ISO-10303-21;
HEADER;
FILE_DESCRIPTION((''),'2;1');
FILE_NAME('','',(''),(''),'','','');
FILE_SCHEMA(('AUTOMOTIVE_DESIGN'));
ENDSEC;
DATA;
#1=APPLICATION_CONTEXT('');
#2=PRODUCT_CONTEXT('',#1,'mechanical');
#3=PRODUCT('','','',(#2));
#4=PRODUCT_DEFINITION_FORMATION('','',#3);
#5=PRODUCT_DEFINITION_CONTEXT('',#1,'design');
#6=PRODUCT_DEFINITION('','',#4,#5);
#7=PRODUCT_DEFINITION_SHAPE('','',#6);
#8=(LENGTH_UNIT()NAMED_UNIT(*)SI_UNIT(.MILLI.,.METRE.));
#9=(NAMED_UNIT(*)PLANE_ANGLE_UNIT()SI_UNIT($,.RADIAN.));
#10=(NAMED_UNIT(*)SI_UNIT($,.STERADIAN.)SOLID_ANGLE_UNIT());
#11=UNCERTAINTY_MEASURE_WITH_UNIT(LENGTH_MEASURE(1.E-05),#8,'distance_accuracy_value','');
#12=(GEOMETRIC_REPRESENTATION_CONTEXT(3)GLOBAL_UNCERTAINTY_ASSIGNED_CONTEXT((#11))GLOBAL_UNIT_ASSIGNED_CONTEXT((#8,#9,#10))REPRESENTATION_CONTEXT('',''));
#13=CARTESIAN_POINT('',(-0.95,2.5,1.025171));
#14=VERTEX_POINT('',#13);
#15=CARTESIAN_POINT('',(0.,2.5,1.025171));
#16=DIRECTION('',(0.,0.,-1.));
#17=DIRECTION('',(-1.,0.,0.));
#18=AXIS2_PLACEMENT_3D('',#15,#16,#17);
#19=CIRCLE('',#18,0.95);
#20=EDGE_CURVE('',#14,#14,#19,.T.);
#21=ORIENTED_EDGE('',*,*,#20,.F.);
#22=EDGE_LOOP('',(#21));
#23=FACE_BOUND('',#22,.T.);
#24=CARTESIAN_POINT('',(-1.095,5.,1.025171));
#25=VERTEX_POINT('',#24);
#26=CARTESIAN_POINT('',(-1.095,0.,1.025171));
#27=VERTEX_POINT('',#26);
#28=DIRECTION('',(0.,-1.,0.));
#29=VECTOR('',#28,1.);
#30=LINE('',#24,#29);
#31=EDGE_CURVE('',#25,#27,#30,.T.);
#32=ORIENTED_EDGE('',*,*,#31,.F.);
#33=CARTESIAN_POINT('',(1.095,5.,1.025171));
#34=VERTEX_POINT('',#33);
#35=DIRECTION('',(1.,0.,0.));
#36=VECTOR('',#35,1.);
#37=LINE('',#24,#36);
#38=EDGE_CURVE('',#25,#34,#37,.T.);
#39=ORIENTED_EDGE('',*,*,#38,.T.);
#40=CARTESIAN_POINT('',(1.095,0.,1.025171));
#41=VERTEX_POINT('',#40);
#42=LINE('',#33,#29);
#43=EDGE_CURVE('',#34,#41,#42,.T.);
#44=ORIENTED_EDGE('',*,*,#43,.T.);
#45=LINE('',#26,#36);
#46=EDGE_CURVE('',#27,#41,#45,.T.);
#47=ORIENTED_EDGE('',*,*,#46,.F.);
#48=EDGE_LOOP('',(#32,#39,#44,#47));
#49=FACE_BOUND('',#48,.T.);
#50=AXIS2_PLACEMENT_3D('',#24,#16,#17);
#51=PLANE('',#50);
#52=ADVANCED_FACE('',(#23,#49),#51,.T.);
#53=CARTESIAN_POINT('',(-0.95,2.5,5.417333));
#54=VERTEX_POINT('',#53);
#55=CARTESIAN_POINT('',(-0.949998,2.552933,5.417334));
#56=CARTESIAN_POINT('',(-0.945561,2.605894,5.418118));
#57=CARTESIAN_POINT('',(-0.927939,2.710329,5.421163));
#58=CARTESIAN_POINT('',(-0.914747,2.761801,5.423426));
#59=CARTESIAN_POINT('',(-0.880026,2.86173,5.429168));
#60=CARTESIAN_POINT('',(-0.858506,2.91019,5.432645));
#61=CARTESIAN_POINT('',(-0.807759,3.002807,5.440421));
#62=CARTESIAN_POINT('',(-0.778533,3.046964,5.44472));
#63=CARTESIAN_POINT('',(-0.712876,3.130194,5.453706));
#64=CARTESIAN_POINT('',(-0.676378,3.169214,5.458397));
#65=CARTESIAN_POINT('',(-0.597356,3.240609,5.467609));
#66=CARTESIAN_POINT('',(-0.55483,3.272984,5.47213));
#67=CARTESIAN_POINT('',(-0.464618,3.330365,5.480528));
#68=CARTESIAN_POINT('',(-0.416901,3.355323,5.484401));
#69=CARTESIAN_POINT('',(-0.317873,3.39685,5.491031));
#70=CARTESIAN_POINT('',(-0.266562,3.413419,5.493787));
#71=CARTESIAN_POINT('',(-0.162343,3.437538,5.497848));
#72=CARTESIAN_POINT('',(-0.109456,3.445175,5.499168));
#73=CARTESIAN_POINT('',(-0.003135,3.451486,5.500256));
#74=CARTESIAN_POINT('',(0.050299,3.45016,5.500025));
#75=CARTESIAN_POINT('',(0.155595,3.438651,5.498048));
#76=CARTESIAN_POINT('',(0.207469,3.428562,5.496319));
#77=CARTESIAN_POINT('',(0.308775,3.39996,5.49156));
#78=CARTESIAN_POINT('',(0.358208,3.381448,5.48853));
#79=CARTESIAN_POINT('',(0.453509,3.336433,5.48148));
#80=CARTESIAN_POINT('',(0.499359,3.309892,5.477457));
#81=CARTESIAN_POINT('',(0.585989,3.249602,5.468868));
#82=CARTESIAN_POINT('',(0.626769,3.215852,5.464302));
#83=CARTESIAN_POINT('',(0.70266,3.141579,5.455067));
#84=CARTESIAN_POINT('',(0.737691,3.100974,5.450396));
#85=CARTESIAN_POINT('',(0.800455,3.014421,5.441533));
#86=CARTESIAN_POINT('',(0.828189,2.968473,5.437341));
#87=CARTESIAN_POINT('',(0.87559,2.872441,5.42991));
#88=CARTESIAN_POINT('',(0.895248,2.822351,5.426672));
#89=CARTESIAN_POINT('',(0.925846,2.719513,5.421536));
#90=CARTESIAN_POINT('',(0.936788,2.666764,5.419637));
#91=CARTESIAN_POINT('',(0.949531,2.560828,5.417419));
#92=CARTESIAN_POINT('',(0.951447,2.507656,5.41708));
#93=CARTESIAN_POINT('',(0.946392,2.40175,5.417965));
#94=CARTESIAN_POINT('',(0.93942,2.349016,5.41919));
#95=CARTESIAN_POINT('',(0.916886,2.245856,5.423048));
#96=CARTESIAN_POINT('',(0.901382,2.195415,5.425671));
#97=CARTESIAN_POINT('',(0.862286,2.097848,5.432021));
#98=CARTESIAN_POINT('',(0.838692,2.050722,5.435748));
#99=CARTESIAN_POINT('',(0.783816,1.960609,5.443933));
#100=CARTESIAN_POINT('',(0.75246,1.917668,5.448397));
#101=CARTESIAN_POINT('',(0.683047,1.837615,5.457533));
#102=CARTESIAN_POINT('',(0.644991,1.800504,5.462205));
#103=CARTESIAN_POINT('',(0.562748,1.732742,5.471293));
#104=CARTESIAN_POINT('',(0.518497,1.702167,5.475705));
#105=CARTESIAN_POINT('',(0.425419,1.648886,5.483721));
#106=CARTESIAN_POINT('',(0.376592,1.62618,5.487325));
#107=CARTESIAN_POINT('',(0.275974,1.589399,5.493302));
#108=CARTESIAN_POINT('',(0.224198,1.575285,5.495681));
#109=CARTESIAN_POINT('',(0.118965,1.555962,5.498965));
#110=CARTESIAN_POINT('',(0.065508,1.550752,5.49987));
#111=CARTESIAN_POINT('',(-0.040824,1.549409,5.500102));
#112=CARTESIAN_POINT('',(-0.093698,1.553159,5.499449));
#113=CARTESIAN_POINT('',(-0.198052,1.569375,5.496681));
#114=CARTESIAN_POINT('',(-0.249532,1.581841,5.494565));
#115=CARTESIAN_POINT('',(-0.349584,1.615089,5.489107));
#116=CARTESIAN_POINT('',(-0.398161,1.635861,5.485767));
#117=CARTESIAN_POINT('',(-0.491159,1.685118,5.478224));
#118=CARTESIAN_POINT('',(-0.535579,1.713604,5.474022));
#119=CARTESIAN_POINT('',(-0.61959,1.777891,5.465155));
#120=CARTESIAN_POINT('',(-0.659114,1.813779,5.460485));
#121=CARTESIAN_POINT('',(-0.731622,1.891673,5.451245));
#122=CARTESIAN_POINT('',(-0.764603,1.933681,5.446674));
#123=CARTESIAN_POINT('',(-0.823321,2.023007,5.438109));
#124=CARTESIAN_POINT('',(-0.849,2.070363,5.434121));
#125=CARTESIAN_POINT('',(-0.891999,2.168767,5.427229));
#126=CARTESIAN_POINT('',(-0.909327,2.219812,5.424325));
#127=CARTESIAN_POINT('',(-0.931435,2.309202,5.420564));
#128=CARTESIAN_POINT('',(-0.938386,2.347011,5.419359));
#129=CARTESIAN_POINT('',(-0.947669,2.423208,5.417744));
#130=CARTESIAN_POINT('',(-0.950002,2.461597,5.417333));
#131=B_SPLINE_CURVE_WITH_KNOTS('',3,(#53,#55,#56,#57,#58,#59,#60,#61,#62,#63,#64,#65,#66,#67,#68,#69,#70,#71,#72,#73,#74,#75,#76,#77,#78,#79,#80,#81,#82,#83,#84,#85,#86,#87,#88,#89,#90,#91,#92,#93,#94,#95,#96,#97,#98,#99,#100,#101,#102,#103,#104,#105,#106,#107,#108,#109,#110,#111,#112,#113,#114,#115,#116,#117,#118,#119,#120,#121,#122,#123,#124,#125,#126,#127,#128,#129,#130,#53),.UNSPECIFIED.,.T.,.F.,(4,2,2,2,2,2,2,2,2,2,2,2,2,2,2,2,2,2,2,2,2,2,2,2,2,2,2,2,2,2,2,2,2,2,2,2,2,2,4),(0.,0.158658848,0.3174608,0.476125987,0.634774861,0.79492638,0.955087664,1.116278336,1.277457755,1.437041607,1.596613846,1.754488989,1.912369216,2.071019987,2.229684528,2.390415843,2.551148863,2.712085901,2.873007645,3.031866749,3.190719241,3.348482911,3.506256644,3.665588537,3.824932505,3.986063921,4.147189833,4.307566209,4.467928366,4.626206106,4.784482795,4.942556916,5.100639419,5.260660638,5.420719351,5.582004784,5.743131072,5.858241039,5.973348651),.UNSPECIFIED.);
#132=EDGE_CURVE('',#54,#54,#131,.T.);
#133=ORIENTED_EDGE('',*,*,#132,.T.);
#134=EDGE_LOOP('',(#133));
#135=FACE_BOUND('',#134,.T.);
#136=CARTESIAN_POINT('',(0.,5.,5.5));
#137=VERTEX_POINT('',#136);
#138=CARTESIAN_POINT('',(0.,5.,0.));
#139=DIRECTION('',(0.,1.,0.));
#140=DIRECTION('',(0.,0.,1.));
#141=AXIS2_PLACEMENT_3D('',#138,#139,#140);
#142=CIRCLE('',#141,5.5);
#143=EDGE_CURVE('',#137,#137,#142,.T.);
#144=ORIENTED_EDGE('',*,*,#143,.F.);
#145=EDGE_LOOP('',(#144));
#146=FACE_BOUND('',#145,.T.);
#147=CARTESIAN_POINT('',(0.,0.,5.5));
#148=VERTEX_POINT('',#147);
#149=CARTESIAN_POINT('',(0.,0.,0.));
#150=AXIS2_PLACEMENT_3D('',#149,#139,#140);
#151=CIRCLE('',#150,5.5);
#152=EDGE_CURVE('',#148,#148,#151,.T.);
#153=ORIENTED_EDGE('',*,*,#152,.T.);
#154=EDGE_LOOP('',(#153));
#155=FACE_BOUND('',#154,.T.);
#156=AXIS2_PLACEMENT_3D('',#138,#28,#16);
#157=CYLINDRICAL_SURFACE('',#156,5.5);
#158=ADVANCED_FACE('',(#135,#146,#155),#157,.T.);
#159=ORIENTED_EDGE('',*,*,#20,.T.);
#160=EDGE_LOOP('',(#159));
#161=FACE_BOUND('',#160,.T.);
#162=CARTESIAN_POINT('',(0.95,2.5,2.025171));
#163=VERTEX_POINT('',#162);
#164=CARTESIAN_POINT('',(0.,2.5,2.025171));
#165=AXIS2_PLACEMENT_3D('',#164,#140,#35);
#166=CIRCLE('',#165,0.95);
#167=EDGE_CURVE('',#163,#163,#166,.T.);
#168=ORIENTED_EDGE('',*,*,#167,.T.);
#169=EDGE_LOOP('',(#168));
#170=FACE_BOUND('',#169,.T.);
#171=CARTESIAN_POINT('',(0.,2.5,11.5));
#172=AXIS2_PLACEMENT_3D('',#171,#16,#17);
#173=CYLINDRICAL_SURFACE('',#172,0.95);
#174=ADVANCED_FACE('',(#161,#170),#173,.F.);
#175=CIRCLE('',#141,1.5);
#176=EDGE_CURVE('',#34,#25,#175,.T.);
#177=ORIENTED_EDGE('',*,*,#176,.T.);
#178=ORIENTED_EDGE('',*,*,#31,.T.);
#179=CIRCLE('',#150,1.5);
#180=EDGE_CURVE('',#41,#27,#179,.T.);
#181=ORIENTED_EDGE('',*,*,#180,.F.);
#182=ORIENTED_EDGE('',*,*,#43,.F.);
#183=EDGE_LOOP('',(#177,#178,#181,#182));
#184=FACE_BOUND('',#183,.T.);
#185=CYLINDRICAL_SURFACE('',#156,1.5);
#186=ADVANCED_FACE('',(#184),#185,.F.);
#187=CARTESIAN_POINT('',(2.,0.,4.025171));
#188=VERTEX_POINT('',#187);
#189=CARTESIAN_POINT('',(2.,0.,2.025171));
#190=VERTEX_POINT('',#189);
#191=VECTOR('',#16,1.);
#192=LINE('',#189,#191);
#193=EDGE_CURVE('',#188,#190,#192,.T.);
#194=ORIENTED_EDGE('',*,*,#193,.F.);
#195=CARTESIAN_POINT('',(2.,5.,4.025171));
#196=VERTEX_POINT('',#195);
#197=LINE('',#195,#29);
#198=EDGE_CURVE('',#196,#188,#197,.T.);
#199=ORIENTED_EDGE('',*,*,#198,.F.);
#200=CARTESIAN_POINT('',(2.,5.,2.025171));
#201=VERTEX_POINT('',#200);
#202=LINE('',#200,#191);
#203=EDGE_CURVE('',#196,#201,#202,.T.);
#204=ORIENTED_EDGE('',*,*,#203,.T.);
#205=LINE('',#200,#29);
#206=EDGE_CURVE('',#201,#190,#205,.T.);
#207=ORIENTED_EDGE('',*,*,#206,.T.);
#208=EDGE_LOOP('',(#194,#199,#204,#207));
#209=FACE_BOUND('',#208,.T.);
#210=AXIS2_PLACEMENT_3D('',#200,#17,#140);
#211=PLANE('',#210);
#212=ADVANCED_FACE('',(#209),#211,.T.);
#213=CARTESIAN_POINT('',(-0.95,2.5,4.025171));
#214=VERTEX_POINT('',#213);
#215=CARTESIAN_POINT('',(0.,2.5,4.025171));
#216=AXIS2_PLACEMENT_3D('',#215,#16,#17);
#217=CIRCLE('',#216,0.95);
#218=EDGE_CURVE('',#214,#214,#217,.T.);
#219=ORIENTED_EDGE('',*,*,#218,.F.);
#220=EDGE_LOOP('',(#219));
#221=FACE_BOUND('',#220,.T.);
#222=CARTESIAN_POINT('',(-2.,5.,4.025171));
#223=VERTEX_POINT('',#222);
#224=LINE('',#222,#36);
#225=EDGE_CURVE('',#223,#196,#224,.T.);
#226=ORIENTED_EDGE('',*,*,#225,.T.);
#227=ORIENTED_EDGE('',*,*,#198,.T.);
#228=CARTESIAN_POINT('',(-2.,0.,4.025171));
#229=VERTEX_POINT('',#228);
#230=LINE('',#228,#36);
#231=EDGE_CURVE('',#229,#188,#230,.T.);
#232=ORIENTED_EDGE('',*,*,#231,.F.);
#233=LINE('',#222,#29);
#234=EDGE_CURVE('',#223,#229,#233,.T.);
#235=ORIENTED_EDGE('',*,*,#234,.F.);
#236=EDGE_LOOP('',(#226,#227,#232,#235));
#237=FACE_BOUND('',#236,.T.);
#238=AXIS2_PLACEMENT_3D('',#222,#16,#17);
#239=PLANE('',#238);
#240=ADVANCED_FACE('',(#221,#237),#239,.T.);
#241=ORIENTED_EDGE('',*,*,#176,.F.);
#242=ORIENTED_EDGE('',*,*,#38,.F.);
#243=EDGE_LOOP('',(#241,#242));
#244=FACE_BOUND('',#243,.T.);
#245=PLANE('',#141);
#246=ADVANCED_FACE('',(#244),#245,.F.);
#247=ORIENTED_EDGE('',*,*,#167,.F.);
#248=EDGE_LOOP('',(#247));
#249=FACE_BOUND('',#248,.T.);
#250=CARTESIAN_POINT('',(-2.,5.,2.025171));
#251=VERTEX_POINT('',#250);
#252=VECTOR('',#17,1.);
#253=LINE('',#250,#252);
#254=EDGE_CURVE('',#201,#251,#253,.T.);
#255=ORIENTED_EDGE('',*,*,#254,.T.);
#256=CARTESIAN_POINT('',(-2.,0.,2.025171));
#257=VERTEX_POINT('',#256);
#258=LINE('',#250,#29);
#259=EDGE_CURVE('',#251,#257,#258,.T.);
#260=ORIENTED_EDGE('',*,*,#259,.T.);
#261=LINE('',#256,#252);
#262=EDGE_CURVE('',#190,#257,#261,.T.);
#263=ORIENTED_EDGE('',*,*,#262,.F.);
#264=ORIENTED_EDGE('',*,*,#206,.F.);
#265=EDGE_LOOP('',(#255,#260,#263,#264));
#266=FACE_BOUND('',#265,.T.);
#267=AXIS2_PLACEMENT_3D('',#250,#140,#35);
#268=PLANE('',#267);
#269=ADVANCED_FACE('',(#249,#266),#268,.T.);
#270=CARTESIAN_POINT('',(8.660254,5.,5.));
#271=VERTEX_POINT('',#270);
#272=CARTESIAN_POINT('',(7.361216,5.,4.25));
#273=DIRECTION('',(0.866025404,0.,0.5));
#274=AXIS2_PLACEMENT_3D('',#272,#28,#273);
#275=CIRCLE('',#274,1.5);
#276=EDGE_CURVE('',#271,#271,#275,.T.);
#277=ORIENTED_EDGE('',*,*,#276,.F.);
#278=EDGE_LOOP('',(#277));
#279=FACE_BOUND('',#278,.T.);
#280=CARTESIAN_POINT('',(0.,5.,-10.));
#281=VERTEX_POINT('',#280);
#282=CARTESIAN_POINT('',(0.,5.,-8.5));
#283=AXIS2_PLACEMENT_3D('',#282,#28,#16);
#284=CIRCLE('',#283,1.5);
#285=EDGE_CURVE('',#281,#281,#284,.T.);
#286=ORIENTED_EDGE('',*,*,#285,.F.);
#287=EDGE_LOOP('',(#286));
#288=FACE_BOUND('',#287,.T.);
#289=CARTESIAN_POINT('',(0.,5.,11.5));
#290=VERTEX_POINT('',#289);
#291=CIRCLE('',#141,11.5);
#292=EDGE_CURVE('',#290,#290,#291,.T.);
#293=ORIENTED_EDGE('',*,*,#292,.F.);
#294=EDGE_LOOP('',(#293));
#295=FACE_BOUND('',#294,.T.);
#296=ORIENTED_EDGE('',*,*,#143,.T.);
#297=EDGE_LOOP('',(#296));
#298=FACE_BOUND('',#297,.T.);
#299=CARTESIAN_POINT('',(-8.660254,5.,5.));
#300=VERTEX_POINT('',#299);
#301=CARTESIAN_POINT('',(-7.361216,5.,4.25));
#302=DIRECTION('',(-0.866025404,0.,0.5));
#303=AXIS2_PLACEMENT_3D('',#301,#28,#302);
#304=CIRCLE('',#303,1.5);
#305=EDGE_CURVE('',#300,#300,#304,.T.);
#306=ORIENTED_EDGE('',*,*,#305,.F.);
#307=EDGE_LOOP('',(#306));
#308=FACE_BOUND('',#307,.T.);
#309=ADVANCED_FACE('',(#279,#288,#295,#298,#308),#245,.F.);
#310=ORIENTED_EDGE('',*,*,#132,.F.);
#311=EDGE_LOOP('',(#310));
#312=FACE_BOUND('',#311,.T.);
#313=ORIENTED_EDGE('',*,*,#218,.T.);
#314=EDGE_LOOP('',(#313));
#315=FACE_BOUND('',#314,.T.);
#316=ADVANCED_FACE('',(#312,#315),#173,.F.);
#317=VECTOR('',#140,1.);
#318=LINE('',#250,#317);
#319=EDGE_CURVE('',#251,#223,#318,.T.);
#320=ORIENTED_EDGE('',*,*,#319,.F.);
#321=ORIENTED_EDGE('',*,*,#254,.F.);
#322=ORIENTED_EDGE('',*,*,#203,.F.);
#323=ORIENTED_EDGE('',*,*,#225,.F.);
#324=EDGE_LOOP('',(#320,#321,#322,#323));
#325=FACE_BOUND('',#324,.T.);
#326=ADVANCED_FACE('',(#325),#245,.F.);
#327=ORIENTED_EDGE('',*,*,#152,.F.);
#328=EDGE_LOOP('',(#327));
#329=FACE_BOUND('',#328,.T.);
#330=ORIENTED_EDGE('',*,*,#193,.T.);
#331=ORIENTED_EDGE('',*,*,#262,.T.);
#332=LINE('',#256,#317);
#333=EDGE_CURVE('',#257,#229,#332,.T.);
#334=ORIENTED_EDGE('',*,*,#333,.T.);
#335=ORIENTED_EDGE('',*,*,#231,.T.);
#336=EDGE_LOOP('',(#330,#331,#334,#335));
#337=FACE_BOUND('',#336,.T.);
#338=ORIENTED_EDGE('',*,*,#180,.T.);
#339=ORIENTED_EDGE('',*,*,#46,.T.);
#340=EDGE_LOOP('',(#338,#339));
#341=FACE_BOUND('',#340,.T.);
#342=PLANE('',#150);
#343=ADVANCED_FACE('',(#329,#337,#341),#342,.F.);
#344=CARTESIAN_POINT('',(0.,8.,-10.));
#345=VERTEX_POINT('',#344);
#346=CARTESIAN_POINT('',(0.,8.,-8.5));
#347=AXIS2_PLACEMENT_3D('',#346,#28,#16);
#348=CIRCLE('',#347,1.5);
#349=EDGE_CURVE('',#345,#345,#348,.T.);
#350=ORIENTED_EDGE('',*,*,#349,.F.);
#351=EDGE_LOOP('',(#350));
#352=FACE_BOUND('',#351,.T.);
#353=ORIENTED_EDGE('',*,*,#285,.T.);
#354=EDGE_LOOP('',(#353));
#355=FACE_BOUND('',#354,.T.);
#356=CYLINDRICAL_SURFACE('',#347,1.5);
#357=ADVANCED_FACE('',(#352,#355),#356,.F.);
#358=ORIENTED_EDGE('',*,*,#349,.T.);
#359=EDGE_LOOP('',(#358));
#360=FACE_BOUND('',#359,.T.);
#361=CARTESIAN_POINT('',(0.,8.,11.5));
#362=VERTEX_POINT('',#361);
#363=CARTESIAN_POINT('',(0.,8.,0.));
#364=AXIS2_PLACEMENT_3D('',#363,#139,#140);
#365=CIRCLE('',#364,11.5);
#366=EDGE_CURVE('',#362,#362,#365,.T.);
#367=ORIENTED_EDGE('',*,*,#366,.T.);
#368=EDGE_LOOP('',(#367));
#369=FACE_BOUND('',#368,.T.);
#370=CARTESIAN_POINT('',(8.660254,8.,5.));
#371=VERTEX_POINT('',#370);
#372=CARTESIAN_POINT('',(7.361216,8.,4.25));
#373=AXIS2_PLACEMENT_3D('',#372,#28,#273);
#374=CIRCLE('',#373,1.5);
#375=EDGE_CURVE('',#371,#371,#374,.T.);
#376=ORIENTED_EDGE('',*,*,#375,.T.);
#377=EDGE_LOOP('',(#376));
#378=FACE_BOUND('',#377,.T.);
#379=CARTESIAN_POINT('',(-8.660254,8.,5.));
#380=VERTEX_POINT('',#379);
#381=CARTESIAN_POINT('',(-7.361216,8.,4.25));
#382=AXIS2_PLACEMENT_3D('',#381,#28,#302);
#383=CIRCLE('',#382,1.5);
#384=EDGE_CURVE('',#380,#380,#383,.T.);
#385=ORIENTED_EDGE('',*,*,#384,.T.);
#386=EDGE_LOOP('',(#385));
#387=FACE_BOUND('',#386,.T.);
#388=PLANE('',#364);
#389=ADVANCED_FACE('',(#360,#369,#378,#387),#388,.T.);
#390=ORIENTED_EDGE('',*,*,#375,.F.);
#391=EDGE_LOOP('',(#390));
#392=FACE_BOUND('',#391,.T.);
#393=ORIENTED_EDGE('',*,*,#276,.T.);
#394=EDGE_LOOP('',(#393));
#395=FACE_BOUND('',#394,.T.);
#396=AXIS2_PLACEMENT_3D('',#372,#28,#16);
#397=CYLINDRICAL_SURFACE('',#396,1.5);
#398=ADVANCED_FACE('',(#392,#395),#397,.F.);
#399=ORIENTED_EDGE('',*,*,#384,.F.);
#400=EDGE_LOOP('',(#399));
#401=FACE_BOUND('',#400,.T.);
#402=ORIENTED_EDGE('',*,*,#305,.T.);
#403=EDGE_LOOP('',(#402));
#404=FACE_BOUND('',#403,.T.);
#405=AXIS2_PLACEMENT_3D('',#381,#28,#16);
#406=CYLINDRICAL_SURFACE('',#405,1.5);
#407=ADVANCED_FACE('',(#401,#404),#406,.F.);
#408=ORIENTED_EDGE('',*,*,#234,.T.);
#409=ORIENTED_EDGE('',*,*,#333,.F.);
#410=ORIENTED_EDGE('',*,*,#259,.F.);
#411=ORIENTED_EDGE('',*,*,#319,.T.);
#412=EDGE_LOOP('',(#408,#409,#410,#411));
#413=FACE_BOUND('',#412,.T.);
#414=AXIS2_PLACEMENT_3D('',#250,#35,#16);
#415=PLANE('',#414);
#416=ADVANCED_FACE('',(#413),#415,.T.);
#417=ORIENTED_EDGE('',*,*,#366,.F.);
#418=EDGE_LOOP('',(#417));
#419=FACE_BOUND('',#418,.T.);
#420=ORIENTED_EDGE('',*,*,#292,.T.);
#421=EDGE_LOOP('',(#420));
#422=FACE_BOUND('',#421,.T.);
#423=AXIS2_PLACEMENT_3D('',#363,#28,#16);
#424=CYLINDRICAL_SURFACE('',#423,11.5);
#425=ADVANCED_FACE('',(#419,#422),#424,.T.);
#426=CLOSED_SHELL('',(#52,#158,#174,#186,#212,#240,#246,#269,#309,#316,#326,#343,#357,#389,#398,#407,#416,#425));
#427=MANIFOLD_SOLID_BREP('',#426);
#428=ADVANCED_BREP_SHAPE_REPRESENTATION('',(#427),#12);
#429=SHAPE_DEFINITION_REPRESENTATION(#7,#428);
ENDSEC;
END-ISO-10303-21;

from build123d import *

# Parameters (mm, degrees)
SKETCH1_R                   = 5.5
SKETCH1_W                   = 4
SKETCH1_H                   = 2
BOSS_EXTRUDE1_DEPTH         = 5
SKETCH2_R                   = 11.5
BOSS_EXTRUDE2_DEPTH         = 3
SKETCH3_R                   = 1.5
WHEEL_SCREWS_DEPTH          = 3
WHEEL_SCREW_PATTERN_COUNT   = 3
SKETCH5_R                   = 0.95
MOTOR_SCREW_HOLE_DEPTH      = 3
MOTOR_SCREW_HOLE_DEPTH_BACK = 8.474829283


with BuildPart() as part:
    # Sketch1 → Boss-Extrude1 (new body)
    with BuildSketch(Plane(origin=(0, 0, 0), x_dir=(1, 0, 0), z_dir=(0, 1, 0))):
        Circle(SKETCH1_R)
        with BuildLine():
            Line((-1.095, -1.025170717), (1.095, -1.025170717))
            ThreePointArc((1.095, -1.025170717), (0, 1.5), (-1.095, -1.025170717))
        make_face(mode=Mode.SUBTRACT)
        with Locations((0, -3.025170717)):
            Rectangle(SKETCH1_W, SKETCH1_H, mode=Mode.SUBTRACT)
    extrude(amount=BOSS_EXTRUDE1_DEPTH)

    # Sketch2 → Boss-Extrude2 (add)
    with BuildSketch(Plane(origin=(0, 5, 0), x_dir=(1, 0, 0), z_dir=(0, 1, 0))):
        Circle(SKETCH2_R)
    extrude(amount=BOSS_EXTRUDE2_DEPTH)

    # Sketch3 → wheel_screws (cut)
    with BuildSketch(Plane.XZ.offset(-5)):
        with Locations((0, -8.5)):
            Circle(SKETCH3_R)
    wheel_screws = extrude(amount=-WHEEL_SCREWS_DEPTH, mode=Mode.SUBTRACT)

    # wheel_screw_pattern: wheel_screws ×3 about axis
    wheel_screw_pattern_axis = Axis((0, 0, 0), (0, 1, 0))
    for i in range(1, WHEEL_SCREW_PATTERN_COUNT):
        add(wheel_screws.rotate(wheel_screw_pattern_axis, i * 360 / WHEEL_SCREW_PATTERN_COUNT), mode=Mode.SUBTRACT)

    # Sketch5 → motor_screw_hole (cut, two sides)
    with BuildSketch(Plane(origin=(0, 0, 4.025170717), x_dir=(-1, 0, 0), z_dir=(0, 0, -1))) as motor_screw_hole_sk:
        with Locations((0, 2.5)):
            Circle(SKETCH5_R)
    extrude(amount=MOTOR_SCREW_HOLE_DEPTH, mode=Mode.SUBTRACT)
    extrude(motor_screw_hole_sk.sketch, amount=-MOTOR_SCREW_HOLE_DEPTH_BACK, mode=Mode.SUBTRACT)


solid = part.part
